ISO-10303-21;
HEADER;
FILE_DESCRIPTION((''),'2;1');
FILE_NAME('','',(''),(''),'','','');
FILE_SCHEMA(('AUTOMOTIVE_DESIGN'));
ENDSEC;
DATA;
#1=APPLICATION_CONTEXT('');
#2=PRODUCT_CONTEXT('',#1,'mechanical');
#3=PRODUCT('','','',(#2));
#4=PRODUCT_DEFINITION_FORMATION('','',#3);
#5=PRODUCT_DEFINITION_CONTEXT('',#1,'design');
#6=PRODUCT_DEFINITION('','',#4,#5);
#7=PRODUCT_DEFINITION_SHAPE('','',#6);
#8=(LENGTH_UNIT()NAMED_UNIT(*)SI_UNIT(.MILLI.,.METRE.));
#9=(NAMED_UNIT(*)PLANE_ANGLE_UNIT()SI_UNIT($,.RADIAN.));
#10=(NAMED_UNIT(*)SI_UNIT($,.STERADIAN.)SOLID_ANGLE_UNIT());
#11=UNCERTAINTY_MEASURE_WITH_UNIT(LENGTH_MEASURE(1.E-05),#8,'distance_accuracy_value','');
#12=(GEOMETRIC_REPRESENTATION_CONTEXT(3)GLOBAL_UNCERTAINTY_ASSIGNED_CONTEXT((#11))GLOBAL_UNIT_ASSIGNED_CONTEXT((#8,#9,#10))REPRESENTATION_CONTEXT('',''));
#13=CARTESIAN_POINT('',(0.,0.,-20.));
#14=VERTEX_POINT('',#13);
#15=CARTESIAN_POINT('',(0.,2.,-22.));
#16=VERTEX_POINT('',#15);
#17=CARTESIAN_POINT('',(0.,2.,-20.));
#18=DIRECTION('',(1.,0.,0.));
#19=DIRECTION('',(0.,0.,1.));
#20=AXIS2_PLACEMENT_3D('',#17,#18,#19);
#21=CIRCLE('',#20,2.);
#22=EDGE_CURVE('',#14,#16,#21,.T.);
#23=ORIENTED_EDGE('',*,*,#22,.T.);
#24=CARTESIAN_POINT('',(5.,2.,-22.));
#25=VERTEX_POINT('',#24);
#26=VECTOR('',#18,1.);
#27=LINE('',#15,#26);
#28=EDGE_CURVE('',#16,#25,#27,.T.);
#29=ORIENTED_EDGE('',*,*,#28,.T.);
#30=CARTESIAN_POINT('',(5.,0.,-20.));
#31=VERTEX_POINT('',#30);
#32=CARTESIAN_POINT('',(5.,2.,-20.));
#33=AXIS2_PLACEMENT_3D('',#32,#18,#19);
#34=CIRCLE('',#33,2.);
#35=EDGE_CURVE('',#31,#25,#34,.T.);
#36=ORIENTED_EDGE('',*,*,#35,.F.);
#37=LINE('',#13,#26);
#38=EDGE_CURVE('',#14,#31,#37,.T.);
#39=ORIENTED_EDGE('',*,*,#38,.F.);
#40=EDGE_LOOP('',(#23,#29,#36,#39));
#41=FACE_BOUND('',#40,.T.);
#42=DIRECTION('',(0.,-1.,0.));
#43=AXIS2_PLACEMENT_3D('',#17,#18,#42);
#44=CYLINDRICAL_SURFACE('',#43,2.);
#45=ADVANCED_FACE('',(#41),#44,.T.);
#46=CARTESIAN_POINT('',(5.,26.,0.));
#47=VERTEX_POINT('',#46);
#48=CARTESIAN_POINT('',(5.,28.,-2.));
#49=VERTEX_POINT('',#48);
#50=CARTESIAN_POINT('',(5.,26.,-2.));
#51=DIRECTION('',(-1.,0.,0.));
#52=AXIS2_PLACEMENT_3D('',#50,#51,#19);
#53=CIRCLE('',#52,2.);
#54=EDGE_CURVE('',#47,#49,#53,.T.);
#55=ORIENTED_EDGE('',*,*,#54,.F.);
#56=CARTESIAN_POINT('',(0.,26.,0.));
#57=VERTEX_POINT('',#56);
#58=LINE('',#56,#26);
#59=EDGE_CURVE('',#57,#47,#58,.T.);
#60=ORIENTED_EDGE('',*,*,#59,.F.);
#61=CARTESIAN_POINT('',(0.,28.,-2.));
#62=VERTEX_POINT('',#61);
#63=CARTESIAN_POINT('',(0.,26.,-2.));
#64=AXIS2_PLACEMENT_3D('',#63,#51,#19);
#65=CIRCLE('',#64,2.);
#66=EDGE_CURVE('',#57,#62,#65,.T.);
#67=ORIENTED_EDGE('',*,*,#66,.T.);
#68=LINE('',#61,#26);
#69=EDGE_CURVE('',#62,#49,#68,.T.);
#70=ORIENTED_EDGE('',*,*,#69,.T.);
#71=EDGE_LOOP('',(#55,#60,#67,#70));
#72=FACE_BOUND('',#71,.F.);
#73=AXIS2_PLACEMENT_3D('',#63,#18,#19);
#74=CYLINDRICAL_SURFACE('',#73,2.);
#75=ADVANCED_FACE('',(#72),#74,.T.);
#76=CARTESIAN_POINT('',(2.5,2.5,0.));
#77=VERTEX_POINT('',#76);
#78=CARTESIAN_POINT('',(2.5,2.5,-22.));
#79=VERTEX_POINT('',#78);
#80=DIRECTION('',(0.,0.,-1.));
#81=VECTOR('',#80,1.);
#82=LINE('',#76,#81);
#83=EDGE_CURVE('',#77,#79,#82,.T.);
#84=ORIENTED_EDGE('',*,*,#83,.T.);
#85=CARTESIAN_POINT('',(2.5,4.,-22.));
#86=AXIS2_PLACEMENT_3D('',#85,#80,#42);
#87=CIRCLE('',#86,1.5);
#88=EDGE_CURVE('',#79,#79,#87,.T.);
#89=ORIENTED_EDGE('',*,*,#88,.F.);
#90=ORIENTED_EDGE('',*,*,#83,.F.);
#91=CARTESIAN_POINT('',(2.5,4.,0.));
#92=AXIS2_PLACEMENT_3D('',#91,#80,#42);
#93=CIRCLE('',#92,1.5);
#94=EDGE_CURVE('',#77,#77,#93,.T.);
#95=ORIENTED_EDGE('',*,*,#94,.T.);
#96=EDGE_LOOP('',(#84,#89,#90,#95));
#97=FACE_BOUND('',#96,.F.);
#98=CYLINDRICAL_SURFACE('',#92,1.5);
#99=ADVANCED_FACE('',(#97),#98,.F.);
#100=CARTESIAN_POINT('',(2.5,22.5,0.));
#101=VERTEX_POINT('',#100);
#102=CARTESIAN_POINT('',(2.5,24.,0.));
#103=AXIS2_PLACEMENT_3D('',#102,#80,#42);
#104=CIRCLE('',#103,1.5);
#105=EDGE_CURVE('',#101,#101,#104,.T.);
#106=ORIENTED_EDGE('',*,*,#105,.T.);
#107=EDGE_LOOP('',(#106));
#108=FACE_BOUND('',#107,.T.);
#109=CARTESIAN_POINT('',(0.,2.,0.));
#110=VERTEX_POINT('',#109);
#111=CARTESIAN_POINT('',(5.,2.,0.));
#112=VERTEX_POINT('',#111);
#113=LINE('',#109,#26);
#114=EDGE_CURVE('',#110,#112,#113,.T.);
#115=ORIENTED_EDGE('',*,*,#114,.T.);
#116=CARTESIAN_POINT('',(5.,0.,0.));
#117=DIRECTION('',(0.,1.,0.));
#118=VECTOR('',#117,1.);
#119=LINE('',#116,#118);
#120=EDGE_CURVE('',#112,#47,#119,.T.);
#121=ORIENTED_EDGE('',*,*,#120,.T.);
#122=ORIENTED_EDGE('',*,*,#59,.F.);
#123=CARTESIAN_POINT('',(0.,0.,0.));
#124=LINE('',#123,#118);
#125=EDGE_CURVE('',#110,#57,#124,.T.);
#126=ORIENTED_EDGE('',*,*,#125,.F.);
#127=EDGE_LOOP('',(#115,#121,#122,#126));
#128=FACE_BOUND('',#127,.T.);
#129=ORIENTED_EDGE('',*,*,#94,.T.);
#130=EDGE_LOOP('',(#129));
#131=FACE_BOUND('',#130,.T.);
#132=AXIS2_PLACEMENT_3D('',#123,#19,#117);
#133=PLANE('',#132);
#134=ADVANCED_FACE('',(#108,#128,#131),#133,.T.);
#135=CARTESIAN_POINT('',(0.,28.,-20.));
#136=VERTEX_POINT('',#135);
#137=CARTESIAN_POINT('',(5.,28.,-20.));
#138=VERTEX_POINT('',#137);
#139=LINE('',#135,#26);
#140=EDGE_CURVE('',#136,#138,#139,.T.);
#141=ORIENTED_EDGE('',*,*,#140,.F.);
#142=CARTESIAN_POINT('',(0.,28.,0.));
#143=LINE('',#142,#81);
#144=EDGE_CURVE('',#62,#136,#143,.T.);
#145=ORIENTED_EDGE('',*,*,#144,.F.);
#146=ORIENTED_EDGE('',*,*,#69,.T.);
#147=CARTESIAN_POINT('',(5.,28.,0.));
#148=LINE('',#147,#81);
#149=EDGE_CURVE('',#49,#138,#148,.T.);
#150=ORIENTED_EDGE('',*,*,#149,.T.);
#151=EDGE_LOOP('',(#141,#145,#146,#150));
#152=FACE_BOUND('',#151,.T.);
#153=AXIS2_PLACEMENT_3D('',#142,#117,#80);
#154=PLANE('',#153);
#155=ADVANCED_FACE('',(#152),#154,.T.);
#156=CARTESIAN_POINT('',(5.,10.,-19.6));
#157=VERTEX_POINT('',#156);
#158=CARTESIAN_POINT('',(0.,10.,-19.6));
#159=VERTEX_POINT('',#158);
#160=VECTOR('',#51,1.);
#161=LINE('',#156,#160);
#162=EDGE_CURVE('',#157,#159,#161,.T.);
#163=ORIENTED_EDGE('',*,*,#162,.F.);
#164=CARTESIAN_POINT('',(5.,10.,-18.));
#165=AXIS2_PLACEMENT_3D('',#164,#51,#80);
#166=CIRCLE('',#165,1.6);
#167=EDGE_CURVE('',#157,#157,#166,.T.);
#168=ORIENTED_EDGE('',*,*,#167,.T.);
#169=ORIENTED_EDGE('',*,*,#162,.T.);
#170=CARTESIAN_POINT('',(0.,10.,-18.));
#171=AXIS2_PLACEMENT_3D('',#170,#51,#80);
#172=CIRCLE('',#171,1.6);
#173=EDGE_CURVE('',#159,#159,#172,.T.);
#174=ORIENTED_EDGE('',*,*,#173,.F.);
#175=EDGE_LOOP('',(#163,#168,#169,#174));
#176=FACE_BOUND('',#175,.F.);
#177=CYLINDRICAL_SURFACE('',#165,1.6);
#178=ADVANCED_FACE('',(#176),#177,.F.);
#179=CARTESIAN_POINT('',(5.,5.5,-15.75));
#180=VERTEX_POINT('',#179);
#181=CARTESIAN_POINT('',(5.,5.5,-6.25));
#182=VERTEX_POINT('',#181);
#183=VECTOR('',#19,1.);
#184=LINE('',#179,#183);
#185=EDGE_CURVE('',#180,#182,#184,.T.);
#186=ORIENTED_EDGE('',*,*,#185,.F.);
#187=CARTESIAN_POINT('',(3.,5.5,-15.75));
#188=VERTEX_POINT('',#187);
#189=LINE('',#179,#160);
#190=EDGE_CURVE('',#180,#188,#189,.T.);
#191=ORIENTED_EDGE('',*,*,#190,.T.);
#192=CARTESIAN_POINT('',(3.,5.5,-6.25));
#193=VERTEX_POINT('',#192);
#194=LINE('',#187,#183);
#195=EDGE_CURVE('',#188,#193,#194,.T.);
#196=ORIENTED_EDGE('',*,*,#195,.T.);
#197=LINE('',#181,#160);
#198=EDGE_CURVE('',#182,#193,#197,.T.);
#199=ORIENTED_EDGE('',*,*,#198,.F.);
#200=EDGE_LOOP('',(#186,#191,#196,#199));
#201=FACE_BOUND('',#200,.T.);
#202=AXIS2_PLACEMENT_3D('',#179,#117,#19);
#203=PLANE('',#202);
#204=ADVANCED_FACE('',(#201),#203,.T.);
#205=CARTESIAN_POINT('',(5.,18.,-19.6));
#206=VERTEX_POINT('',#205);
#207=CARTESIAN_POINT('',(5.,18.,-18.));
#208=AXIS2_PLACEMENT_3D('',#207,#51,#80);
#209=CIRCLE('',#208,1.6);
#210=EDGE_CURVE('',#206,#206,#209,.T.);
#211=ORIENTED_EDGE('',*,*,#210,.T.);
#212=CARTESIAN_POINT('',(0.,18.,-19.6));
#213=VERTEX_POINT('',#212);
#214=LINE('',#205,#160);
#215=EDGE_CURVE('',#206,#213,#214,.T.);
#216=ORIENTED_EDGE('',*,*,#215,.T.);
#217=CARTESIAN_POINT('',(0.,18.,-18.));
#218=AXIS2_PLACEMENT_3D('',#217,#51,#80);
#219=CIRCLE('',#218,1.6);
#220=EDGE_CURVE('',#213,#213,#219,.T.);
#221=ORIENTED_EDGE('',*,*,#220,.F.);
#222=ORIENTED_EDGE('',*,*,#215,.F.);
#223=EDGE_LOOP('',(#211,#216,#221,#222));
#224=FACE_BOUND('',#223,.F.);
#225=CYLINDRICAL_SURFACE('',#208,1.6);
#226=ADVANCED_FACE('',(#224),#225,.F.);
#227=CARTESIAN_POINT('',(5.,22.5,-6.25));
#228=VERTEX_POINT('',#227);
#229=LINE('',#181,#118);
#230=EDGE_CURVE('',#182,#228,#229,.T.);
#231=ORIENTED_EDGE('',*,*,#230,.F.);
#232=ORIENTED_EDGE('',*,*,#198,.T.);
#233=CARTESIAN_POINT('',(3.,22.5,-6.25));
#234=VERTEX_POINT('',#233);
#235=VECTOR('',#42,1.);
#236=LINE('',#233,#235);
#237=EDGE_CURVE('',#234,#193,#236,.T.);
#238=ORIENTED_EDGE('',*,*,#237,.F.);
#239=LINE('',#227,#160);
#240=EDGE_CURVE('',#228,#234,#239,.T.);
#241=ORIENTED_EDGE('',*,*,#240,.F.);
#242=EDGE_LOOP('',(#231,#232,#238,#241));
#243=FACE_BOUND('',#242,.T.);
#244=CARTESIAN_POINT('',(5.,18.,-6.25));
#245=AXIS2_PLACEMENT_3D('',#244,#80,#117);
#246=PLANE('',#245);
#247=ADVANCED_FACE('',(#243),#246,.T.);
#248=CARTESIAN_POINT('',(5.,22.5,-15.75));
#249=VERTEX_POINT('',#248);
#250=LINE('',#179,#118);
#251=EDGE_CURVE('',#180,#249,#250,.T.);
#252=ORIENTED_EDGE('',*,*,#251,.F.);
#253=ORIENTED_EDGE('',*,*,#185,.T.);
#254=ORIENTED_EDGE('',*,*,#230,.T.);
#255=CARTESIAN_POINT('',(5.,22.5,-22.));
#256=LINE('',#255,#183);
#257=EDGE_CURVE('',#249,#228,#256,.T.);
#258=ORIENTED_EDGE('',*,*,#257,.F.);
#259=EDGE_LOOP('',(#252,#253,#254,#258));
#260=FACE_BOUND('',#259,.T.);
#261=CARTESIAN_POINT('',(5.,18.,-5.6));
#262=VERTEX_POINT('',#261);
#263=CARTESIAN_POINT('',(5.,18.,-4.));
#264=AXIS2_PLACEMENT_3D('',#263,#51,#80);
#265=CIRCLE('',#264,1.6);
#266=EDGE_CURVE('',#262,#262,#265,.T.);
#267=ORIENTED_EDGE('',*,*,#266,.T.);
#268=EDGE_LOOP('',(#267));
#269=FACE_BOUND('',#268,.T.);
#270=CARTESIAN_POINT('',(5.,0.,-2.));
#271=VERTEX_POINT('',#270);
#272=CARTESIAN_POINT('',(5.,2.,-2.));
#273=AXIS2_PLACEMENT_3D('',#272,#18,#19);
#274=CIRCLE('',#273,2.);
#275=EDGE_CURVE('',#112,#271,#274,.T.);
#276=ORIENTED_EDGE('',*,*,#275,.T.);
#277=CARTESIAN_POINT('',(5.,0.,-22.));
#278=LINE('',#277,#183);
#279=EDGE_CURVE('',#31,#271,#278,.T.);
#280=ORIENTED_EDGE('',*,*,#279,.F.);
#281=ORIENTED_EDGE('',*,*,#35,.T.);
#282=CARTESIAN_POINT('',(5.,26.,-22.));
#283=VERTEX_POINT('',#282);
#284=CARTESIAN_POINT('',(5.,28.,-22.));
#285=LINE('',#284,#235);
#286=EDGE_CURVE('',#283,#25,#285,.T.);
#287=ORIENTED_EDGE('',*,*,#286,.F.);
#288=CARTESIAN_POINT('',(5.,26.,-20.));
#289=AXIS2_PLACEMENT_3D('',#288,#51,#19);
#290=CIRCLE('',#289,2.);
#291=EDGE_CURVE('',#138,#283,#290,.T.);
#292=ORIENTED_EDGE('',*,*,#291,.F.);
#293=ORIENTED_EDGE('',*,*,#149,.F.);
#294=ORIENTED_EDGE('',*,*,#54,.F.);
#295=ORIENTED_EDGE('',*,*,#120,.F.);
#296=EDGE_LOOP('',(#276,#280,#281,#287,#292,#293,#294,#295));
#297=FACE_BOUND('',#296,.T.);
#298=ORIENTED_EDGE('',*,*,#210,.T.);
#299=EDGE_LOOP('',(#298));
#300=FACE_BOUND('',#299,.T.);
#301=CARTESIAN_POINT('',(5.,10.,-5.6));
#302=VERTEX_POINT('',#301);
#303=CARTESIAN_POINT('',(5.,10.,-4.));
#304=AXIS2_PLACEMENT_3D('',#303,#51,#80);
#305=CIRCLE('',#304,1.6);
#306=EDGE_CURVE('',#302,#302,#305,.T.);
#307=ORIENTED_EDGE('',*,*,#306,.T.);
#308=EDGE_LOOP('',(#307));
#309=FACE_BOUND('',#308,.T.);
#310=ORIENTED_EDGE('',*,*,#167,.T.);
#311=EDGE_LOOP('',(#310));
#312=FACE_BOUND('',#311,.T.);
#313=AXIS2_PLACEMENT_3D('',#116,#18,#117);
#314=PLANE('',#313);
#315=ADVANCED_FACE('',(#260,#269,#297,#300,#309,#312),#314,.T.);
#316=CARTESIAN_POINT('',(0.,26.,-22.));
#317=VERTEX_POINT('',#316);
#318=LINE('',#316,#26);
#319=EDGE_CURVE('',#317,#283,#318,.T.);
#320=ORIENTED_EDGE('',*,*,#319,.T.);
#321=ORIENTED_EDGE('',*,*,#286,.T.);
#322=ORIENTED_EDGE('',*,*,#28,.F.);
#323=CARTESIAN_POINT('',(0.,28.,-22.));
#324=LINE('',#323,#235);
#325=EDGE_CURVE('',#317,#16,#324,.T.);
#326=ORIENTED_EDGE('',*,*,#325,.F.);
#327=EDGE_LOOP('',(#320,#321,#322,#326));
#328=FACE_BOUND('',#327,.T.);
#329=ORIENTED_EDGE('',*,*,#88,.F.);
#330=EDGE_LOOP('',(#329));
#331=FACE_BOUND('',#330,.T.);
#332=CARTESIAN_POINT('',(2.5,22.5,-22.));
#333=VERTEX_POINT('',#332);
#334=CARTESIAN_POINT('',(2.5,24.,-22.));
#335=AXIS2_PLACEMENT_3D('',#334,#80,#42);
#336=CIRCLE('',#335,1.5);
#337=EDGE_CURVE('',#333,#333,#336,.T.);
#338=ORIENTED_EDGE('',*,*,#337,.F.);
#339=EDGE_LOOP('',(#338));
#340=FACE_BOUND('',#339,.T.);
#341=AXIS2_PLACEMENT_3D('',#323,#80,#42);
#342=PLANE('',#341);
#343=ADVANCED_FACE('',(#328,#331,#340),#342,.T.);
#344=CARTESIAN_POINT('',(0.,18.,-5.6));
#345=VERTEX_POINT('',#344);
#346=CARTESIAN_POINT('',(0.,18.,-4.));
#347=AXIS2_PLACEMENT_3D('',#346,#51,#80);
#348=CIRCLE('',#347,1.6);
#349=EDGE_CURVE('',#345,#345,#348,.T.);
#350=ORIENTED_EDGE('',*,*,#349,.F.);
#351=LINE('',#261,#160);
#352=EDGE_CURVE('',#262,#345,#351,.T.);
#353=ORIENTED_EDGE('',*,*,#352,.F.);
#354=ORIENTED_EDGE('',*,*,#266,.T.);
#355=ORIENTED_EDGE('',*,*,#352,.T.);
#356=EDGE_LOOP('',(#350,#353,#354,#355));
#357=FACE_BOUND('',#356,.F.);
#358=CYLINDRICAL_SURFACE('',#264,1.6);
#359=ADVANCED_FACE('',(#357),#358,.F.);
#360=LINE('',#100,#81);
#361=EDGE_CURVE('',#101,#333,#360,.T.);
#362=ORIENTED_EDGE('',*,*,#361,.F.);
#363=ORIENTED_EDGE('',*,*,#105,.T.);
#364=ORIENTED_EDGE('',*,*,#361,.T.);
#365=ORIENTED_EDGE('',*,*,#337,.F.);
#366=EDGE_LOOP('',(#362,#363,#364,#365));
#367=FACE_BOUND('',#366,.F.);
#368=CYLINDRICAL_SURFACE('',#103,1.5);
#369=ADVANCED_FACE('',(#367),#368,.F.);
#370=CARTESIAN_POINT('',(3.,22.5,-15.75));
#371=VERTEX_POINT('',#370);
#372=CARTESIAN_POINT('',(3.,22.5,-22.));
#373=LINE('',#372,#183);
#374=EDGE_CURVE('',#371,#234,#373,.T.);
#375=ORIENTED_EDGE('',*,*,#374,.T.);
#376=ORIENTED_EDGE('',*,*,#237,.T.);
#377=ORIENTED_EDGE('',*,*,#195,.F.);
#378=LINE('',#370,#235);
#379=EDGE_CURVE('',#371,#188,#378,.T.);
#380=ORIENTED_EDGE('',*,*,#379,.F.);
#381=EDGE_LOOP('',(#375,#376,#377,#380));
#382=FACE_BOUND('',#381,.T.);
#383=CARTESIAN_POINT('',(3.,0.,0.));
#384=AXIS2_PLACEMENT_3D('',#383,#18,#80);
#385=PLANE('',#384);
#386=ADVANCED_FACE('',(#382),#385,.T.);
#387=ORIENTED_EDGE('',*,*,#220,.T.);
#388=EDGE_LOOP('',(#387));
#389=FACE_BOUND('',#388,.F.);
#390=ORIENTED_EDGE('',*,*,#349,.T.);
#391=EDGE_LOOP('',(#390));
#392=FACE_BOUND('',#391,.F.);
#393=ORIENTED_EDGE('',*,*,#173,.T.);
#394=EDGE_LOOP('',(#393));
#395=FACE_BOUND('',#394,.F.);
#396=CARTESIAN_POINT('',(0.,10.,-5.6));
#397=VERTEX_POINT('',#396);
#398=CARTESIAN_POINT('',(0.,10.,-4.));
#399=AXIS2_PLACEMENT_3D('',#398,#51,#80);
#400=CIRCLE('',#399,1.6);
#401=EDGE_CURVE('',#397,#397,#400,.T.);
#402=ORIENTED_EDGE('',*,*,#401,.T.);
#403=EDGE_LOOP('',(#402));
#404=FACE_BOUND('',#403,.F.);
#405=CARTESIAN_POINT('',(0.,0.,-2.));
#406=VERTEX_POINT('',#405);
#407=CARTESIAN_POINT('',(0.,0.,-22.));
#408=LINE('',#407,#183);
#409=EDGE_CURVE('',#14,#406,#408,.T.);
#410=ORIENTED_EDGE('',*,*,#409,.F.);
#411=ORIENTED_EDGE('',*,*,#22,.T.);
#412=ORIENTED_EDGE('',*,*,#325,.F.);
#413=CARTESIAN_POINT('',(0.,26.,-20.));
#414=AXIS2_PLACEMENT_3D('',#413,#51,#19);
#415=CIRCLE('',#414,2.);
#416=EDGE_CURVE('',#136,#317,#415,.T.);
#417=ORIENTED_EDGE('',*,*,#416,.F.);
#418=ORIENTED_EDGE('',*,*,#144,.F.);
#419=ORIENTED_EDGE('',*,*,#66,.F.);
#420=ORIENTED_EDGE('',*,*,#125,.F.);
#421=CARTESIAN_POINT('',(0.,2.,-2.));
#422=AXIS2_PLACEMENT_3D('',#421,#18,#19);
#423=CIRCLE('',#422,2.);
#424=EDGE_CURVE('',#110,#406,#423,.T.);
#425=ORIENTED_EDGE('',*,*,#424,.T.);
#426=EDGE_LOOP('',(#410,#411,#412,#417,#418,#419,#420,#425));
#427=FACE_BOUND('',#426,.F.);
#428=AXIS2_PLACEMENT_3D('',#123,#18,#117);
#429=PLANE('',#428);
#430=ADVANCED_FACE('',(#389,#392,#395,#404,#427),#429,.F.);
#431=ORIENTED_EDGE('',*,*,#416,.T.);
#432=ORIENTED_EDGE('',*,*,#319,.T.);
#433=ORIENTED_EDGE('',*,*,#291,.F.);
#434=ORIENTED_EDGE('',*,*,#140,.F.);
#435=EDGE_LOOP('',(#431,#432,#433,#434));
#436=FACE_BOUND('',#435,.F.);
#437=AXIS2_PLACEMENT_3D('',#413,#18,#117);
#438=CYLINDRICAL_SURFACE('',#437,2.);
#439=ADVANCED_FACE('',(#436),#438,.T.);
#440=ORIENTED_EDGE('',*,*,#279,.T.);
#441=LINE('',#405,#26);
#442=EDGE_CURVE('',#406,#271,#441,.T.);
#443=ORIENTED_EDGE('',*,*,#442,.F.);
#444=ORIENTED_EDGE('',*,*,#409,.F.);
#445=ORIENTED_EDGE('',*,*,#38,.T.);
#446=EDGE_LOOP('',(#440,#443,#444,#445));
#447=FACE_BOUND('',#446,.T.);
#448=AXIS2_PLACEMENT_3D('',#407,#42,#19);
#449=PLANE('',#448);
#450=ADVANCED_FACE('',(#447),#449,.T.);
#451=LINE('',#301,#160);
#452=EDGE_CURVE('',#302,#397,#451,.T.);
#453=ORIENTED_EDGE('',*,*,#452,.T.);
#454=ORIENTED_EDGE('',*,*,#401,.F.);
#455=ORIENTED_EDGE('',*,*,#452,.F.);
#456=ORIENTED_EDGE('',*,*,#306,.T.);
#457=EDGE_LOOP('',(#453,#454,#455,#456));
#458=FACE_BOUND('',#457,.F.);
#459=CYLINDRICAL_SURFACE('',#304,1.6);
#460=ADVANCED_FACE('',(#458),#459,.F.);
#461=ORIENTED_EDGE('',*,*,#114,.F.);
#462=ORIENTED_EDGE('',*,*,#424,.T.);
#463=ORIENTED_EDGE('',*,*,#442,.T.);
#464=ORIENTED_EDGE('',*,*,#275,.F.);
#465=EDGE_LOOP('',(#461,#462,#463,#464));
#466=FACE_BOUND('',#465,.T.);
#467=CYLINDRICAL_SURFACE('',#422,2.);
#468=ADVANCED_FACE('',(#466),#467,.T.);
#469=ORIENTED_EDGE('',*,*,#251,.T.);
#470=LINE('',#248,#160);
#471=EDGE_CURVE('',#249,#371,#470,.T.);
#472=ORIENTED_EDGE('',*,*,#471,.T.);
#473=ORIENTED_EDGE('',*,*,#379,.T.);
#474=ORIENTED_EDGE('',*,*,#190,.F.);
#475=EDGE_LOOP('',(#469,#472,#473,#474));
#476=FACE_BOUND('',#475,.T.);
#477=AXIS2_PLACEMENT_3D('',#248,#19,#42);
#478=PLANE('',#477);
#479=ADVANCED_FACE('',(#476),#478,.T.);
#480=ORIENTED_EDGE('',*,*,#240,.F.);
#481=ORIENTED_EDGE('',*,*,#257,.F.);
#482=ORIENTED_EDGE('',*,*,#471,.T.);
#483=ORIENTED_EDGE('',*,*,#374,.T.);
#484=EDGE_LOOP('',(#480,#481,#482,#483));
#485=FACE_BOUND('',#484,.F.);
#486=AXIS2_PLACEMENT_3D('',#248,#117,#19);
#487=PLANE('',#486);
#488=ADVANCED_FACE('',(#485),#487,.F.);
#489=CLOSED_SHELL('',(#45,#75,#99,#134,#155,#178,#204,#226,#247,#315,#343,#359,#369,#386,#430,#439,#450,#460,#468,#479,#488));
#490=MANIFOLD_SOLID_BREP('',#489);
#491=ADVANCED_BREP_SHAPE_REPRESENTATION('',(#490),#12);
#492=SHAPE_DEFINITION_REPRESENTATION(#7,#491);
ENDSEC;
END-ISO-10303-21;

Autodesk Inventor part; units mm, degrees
ref_plane "YZ Plane" through (0, 0, 0) normal (1, 0, 0) x (0, 1, 0)
ref_plane "XZ Plane" through (0, 0, 0) normal (0, 1, 0) x (-1, 0, 0)
ref_plane "XY Plane" through (0, 0, 0) normal (0, 0, 1) x (1, 0, 0)
sketch "Sketch1" plane through (0, 0, 0) normal (1, 0, 0) x (0, 1, 0)
  line L0 (0, 0) -> (28, 0)
  line L1 (28, 0) -> (28, -22)
  line L2 (28, -22) -> (0, -22)
  line L3 (0, -22) -> (0, 0)
  dimension "d0" = 28
  dimension "d1" = 22
extrude "Extrusion1" add sketch "Sketch1" along normal blind 5
sketch "Sketch2" plane through (0, 0, 0) normal (0, 0, 1) x (1, 0, 0)
  line L0 (0, 28) -> (5, 28) projected
  line L1 (0, 0) -> (5, 0) projected
  point P0 (2.5, 4)
  point P1 (2.5, 24)
  dimension "d4" = 4
  dimension "d5" = 4
hole "Hole1" at (2.5, 4, 0) at (2.5, 24, 0) direction (0, 0, -1) diameter 3 depth 80.45
sketch "Sketch3" plane through (5, 0, 0) normal (1, 0, 0) x (0, 0, -1)
  line L0 (22, 28) -> (0, 28) projected
  line L1 (0, 0) -> (22, 0) projected
  line L2 (0, 28) -> (0, 0) projected
  line L3 (11, 28) -> (11, 0)
  point P0 (4, 18)
  point P1 (4, 10)
  point P2 (18, 18)
  point P3 (18, 10)
  dimension "d13" = 10
  dimension "d14" = 10
  dimension "d15" = 4
  dimension "d16" = 4
hole "Hole2" at (5, 18, -4) at (5, 10, -4) at (5, 18, -18) at (5, 10, -18) direction (-1, 0, 0) diameter 3.2 depth 80.45
fillet "Fillet1" radius 2 4 edges at (2.5, 28, 0) (2.5, 28, -22) (2.5, 0, -22) (2.5, 0, 0)
sketch "Sketch4" plane through (5, 0, 0) normal (1, 0, 0) x (0, 0, -1)
  circle A0 centre (4, 18) radius 1.6 projected
  circle A1 centre (18, 10) radius 1.6 projected
  line L0 (4, 18) -> (18, 18)
  line L1 (18, 18) -> (18, 10)
  line L2 (18, 10) -> (4, 10)
  line L3 (4, 10) -> (4, 18)
  line L4 (22, 22.5) -> (0, 22.5) projected
  line L5 (15.75, 5.5) -> (6.25, 5.5)
  line L6 (6.25, 5.5) -> (6.25, 22.5)
  line L7 (6.25, 22.5) -> (15.75, 22.5)
  line L8 (15.75, 22.5) -> (15.75, 5.5)
  line L9 (15.75, 5.5) -> (6.25, 22.5) construction
  line L10 (6.25, 5.5) -> (15.75, 22.5) construction
  line L11 (6.25, 22.5) -> (15.75, 22.5)
  line L12 (15.75, 22.5) -> (15.75, 29.5007)
  line L13 (15.75, 29.5007) -> (6.25, 29.5007)
  line L14 (6.25, 29.5007) -> (6.25, 22.5)
  line L15 (6.25, 5.5) -> (15.75, 5.5)
  line L16 (15.75, 5.5) -> (15.75, -2.0044)
  line L17 (15.75, -2.0044) -> (6.25, -2.0044)
  line L18 (6.25, -2.0044) -> (6.25, 5.5)
  point P0 (0, 0)
  point P1 (11, 14)
  dimension "d25" = 9.5
extrude "Extrusion2" cut sketch "Sketch4" against normal blind 2 contours L6 L4 L8 L0 | L0 L8 L2 L6 | L2 L8 L5 L6
sketch "Sketch5" plane through (0, 2, -22) normal (0, 0, -1) x (-1, 0, 0)
  circle A0 centre (-2.5, 2) radius 1.5 projected
  circle A1 centre (-2.5, 22) radius 1.5 projected
  point P0 (0, -2)
properties part number "belt_holder_1" material "アルミニウム 6061"
